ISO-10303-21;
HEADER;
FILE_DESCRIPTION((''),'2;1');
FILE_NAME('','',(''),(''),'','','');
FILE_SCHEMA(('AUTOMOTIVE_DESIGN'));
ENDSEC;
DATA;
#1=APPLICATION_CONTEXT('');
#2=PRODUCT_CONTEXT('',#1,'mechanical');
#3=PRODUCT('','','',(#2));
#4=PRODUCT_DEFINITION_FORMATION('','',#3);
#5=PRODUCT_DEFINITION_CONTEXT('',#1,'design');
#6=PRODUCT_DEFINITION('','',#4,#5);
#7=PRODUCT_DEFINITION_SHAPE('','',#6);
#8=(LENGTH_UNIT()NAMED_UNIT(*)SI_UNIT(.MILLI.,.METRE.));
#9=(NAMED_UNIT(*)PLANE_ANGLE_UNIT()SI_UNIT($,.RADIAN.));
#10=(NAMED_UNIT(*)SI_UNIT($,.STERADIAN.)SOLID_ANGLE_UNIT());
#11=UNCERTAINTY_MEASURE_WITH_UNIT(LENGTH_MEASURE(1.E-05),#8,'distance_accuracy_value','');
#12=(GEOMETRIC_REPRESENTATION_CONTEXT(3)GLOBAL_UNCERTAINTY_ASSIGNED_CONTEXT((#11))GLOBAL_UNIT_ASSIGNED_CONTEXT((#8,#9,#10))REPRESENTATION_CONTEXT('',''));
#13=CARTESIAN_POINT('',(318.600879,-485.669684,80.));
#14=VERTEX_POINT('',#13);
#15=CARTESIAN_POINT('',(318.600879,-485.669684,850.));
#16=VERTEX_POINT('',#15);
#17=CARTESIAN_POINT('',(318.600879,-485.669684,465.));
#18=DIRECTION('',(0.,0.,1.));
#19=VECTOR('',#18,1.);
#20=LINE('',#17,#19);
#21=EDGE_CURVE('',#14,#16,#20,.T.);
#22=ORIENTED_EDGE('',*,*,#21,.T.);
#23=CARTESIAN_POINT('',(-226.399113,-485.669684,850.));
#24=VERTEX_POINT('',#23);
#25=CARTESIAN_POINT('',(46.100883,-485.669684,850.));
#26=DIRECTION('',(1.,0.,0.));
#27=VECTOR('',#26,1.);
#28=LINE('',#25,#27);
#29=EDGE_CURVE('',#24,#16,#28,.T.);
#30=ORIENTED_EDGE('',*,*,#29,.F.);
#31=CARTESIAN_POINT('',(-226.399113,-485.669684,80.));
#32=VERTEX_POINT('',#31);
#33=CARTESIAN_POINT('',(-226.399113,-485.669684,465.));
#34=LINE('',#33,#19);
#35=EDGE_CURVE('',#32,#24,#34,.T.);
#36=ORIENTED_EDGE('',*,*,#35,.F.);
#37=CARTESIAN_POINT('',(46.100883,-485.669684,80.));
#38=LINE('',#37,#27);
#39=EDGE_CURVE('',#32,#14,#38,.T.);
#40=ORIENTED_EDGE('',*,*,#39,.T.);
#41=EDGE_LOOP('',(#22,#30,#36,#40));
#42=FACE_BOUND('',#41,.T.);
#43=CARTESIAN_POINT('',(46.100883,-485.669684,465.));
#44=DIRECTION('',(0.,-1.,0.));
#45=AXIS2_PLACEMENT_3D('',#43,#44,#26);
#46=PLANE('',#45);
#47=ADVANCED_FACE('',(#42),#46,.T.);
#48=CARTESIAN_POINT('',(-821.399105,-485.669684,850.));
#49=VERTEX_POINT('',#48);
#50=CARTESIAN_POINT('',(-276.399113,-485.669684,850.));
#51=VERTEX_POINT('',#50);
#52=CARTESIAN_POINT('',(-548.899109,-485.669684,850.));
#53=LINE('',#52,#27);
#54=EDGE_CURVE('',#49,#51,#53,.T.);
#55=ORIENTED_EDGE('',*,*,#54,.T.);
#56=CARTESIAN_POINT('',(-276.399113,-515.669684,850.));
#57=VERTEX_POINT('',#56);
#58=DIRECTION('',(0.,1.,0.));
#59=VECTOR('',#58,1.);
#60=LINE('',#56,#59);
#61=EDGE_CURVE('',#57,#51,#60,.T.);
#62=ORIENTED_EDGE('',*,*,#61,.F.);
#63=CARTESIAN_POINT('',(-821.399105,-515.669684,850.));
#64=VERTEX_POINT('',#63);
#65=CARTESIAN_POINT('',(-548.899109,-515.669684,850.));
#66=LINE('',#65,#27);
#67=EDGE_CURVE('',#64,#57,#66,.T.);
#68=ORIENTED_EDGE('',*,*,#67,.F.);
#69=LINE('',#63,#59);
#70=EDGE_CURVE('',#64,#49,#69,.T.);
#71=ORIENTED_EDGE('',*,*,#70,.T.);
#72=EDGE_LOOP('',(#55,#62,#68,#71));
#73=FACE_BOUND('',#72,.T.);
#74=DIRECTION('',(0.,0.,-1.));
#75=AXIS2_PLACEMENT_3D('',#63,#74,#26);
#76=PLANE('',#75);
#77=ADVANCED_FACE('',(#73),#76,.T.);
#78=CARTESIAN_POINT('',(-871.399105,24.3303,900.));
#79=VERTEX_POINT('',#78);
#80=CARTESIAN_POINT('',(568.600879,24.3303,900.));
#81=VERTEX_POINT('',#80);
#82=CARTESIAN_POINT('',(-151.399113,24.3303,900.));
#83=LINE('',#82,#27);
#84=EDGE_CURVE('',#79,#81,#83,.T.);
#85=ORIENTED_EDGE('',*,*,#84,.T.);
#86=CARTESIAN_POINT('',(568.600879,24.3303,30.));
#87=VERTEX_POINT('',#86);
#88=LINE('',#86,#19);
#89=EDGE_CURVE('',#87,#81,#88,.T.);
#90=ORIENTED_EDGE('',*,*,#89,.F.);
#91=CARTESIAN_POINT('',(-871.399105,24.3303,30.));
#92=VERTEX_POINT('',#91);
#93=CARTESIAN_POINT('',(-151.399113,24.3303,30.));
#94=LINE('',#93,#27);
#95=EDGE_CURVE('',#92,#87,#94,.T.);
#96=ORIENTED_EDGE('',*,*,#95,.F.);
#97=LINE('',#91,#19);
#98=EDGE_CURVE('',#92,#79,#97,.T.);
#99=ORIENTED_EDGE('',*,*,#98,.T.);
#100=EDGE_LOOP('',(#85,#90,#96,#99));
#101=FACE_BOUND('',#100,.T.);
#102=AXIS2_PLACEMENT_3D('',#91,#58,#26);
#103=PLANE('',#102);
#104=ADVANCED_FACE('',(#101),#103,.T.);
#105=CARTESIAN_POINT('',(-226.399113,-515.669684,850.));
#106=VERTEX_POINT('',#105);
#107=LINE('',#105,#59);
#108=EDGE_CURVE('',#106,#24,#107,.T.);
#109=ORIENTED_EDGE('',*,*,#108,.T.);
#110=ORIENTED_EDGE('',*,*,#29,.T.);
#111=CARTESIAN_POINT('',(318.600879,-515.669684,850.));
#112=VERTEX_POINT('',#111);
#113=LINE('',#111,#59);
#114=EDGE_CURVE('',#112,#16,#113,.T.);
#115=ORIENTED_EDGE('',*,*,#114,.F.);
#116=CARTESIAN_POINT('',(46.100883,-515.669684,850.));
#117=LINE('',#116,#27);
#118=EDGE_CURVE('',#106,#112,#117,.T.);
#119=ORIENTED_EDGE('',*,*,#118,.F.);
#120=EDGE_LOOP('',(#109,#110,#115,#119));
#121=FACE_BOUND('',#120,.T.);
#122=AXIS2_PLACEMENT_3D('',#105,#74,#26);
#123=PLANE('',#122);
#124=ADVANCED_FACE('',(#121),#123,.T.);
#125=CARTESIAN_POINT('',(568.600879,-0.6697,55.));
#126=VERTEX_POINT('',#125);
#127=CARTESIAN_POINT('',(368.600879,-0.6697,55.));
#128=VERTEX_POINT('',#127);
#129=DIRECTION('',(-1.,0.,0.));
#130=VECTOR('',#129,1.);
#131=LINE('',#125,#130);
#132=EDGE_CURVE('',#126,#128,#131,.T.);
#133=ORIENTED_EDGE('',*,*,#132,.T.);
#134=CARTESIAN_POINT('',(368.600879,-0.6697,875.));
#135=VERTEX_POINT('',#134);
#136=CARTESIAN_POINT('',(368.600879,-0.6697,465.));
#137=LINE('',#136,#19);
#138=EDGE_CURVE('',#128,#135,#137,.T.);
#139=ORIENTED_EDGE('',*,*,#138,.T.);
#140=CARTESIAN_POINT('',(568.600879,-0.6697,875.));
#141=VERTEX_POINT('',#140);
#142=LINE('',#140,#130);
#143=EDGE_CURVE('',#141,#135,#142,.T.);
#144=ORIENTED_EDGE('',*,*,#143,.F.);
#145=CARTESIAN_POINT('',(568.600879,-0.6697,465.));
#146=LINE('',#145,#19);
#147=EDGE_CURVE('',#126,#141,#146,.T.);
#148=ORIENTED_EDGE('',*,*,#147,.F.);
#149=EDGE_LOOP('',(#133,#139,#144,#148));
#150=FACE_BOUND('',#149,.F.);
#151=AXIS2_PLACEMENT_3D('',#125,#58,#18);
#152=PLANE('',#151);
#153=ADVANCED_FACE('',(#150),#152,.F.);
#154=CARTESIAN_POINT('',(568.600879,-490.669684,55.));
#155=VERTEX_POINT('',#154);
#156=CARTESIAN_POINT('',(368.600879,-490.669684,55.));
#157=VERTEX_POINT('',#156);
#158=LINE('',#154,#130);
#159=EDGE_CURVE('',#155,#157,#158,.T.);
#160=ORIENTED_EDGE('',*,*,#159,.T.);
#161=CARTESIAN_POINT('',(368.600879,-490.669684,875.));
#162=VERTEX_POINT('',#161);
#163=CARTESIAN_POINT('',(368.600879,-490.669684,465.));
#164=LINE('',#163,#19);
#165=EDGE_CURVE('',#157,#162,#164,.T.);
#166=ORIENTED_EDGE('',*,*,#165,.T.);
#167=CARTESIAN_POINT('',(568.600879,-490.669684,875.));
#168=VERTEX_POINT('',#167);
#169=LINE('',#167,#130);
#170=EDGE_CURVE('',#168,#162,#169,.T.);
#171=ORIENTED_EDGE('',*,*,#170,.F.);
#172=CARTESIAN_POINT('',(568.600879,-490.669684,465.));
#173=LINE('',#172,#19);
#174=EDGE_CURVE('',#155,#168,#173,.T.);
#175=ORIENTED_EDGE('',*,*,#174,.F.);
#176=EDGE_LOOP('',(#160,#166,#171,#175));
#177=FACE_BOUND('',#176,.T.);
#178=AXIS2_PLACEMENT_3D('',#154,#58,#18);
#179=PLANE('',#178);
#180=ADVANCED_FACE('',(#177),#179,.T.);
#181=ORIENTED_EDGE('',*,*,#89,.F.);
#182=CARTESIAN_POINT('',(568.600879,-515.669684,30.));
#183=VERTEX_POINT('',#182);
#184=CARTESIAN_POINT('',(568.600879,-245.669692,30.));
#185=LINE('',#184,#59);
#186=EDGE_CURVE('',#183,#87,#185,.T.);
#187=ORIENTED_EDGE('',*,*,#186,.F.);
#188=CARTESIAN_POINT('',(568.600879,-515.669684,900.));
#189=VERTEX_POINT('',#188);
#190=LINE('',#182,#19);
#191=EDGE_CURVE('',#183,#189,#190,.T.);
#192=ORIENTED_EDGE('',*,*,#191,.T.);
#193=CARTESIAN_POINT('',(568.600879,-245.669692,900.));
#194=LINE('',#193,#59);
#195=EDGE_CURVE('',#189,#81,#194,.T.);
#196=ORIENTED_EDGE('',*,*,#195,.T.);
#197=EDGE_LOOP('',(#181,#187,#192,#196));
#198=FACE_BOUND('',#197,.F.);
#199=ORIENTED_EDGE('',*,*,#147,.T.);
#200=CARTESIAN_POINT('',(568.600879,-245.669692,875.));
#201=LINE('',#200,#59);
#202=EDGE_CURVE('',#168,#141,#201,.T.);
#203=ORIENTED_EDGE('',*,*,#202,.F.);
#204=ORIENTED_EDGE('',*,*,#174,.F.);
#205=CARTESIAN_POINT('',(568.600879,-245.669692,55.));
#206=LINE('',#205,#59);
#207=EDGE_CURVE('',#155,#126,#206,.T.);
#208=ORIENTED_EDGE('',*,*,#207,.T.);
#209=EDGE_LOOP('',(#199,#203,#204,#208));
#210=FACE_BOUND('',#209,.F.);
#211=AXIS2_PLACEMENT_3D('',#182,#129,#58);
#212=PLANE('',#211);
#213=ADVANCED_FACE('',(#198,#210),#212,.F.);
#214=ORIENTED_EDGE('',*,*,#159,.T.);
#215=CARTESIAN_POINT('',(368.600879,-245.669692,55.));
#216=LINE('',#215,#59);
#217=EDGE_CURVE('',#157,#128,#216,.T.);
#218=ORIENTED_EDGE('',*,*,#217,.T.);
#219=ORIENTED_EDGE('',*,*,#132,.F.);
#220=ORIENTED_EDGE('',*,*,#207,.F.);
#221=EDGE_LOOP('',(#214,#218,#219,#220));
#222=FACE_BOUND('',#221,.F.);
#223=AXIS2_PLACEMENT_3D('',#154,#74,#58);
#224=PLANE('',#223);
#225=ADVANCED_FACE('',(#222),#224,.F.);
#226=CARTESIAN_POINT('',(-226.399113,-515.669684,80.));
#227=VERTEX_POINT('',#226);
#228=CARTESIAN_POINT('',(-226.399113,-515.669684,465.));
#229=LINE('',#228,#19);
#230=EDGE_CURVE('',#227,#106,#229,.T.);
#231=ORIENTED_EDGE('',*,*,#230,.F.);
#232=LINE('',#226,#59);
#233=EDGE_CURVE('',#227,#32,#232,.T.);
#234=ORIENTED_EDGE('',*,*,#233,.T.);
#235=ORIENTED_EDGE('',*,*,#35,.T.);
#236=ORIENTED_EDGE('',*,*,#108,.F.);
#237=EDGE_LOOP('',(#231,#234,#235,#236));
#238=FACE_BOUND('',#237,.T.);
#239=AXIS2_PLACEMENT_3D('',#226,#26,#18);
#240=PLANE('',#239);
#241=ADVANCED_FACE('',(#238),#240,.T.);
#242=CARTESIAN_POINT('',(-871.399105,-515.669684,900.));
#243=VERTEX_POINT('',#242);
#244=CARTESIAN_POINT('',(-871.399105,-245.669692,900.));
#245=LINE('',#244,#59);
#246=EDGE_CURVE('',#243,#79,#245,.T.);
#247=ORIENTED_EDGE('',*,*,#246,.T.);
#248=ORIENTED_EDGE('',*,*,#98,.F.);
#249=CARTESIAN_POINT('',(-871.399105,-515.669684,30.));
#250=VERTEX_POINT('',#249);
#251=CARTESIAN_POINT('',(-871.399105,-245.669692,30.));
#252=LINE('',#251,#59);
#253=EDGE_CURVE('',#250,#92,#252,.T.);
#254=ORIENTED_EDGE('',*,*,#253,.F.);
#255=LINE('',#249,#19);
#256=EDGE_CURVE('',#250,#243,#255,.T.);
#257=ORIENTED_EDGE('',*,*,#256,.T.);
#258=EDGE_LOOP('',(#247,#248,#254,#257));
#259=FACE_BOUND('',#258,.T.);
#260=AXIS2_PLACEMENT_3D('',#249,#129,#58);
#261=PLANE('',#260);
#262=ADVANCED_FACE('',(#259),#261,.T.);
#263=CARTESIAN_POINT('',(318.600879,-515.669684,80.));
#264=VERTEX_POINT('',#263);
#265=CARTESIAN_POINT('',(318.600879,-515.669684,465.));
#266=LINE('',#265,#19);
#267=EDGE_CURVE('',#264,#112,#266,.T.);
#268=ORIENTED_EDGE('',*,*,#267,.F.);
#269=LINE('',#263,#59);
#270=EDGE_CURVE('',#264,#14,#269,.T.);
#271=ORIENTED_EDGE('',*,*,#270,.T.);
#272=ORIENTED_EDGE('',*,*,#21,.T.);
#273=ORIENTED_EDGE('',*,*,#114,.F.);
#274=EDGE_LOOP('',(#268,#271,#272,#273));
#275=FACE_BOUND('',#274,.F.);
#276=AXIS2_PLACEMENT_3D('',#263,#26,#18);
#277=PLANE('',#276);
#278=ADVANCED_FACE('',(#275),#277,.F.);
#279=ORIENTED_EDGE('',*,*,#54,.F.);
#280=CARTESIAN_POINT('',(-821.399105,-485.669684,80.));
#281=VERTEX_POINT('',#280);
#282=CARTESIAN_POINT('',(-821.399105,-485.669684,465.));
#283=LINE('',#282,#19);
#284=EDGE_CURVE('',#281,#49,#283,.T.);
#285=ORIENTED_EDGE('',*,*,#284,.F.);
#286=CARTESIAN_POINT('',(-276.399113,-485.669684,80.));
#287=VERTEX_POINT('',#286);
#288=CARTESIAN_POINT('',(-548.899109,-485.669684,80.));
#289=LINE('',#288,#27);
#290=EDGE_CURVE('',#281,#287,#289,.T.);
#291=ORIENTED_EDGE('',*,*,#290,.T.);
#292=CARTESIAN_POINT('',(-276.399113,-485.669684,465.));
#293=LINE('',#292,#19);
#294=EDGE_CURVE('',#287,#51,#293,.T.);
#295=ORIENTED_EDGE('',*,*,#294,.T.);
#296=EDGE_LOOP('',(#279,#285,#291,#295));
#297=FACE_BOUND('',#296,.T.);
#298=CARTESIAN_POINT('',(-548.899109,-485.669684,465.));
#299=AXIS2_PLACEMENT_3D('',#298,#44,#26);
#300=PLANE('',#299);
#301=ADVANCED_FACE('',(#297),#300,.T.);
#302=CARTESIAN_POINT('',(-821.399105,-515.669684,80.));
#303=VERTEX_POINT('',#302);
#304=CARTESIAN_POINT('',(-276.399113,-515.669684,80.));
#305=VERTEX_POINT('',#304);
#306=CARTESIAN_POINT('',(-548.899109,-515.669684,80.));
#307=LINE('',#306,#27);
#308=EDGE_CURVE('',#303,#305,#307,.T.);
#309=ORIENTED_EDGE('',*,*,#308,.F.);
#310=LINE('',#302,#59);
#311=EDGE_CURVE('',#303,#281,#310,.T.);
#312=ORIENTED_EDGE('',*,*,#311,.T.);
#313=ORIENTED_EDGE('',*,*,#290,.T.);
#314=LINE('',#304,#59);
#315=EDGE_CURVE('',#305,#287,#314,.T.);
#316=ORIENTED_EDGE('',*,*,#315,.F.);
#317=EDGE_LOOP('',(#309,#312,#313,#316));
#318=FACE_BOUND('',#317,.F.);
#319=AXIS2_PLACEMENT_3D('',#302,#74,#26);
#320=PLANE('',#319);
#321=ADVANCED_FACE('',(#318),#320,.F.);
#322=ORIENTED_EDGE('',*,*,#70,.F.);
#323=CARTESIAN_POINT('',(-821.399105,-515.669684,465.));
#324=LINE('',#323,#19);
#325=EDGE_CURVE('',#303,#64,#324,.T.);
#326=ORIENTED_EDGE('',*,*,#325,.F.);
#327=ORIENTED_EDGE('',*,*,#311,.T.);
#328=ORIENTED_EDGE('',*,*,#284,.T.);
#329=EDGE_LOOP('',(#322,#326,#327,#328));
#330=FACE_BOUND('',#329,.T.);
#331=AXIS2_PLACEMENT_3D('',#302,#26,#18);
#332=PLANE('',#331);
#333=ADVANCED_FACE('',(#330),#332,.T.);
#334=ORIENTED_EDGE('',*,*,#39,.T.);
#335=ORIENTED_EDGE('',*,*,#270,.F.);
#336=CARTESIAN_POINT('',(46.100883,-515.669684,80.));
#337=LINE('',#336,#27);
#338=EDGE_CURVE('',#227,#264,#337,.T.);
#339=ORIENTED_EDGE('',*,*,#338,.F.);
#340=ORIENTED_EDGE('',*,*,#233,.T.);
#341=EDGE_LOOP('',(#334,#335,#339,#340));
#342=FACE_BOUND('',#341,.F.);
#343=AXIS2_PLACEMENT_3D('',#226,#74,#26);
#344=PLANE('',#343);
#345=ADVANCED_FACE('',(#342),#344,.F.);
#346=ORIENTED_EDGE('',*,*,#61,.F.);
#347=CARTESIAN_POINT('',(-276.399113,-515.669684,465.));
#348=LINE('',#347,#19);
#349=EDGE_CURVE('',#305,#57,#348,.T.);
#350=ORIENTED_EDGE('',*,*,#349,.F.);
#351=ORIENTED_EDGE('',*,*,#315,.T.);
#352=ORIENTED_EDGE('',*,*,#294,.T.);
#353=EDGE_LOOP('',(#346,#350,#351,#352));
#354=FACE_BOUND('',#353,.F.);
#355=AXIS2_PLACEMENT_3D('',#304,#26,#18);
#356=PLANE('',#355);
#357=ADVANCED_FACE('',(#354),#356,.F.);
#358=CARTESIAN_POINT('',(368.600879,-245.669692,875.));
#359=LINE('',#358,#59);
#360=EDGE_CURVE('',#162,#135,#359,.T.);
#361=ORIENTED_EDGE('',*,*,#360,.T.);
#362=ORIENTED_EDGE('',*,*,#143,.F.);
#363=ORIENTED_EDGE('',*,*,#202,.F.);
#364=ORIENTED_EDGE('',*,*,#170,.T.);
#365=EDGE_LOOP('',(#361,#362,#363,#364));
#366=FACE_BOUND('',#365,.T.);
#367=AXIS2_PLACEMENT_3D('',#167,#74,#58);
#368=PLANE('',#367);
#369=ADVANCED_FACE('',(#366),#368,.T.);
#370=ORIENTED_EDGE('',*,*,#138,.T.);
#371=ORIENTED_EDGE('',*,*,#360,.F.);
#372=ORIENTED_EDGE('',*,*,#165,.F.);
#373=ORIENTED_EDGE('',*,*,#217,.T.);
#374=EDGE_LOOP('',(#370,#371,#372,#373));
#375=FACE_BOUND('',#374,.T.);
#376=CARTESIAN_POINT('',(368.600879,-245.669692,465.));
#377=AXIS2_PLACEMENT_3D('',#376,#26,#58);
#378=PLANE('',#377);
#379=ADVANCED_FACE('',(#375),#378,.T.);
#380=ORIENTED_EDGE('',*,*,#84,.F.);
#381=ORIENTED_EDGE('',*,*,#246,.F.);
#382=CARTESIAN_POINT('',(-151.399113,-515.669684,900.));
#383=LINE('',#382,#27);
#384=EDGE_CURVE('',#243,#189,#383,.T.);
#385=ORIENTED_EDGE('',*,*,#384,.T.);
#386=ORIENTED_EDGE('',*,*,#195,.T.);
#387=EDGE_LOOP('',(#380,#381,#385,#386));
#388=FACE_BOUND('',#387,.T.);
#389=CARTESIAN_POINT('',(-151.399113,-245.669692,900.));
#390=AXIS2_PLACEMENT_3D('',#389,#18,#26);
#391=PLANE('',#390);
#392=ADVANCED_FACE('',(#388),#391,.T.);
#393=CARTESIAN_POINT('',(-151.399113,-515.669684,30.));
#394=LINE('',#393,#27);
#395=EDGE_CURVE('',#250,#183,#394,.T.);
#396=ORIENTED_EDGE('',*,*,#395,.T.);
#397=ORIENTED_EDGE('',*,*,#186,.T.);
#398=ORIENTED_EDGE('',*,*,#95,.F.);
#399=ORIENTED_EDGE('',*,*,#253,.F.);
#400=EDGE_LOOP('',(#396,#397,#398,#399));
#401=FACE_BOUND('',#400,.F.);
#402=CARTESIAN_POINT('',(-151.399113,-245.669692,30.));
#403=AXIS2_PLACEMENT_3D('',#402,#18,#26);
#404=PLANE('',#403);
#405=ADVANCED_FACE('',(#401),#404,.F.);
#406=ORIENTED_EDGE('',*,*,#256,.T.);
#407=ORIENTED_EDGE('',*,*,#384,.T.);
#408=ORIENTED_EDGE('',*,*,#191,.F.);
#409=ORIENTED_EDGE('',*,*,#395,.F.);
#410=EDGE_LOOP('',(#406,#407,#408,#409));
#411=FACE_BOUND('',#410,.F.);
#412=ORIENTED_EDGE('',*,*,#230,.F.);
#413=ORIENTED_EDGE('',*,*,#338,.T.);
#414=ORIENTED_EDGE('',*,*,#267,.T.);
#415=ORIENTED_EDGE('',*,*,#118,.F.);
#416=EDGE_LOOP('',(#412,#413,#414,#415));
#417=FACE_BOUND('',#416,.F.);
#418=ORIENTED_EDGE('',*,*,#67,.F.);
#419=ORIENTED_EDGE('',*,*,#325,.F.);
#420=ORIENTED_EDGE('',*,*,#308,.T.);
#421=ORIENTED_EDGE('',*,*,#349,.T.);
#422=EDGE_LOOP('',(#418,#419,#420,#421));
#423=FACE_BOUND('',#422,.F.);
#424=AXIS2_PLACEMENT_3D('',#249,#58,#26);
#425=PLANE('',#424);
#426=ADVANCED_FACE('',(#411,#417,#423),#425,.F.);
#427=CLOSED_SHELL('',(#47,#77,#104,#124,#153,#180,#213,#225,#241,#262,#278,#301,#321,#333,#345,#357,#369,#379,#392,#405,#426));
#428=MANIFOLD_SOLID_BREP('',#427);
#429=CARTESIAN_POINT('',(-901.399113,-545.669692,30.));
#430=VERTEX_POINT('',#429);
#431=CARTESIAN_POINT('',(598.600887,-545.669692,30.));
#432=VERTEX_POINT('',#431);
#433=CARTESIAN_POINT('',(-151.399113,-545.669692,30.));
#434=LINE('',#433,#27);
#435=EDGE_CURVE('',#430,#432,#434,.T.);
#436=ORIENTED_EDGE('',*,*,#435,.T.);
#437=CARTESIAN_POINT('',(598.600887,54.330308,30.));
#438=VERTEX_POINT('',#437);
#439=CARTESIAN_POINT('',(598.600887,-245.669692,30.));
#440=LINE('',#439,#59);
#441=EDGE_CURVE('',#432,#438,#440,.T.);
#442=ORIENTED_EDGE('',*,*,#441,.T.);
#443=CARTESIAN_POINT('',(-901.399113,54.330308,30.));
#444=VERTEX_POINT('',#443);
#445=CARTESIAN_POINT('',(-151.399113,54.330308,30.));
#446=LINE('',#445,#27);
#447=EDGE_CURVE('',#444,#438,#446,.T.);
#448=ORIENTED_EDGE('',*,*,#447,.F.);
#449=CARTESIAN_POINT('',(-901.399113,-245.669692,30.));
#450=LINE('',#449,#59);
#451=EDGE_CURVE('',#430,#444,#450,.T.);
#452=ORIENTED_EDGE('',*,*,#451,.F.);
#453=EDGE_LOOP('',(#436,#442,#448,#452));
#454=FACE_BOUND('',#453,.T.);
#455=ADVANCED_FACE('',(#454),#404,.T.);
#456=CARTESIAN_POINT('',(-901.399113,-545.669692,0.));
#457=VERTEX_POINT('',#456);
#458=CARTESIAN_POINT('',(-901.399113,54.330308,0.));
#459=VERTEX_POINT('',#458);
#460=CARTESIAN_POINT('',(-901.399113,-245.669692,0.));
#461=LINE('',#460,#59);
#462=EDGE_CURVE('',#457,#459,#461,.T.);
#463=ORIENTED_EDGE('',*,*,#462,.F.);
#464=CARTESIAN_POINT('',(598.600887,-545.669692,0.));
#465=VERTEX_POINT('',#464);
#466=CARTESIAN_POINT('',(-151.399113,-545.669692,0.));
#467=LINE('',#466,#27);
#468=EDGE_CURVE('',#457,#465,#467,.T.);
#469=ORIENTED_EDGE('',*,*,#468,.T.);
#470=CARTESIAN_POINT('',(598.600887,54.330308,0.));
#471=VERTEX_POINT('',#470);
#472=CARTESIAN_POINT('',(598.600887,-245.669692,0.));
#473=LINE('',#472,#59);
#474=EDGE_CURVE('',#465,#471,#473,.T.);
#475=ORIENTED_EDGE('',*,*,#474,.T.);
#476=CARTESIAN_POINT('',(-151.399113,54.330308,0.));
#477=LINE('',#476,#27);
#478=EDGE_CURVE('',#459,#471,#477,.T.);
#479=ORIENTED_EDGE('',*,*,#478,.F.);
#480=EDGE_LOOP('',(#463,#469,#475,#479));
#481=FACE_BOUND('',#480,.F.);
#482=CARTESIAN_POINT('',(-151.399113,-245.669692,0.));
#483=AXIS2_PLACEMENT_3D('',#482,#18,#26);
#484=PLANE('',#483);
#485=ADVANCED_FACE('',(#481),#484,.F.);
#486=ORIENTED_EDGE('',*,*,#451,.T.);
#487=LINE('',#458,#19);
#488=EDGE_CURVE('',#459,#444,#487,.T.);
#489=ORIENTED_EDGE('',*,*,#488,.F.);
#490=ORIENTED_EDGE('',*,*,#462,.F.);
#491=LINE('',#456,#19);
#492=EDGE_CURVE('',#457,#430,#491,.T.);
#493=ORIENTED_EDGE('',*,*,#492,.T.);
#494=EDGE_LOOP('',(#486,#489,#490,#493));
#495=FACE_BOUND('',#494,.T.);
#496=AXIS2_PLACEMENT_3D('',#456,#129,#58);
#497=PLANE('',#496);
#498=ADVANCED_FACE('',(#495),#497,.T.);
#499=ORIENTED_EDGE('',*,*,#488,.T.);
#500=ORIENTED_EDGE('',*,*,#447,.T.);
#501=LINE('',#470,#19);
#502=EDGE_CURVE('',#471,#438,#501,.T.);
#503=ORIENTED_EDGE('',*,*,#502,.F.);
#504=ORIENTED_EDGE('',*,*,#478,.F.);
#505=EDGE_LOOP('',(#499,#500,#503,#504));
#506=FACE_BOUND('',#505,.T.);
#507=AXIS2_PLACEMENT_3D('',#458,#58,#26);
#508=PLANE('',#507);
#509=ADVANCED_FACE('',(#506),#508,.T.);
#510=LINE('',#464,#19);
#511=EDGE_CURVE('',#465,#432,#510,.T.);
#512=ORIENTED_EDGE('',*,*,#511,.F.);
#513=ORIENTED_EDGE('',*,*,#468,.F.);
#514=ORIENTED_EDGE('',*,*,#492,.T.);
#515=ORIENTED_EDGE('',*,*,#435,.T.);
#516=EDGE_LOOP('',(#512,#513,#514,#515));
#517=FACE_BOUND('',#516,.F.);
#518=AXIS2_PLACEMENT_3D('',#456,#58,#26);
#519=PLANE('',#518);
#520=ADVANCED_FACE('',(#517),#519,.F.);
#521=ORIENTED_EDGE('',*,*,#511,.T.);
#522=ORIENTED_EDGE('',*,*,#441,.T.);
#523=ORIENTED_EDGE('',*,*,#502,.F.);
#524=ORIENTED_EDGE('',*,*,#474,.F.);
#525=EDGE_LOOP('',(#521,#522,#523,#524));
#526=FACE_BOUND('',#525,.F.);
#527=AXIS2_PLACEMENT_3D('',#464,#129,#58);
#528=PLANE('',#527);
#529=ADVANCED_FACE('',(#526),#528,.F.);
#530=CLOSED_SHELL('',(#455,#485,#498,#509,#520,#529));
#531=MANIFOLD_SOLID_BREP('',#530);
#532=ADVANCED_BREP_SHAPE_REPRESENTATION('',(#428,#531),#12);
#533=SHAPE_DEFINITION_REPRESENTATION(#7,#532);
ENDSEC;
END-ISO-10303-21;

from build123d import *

# Parameters (mm, degrees)
F0_W     = 1500
F0_H     = 600
F1_DEPTH = 30
F2_W     = 1439.999984
F2_H     = 539.999984
F3_DEPTH = 870
F4_W     = 489.999984
F4_H     = 820
F5_DEPTH = 200
F6_W     = 544.999992
F6_H     = 770
F7_DEPTH = 30


with BuildPart() as f1:
    # F0 (on Top) → F1 (new body)
    with BuildSketch(Plane.XY):
        with Locations((-151.399113, -245.669692)):
            Rectangle(F0_W, F0_H)
    extrude(amount=F1_DEPTH)


with BuildPart() as f3:
    # F2 (on face) → F3 (new body)
    with BuildSketch(Plane.XY.offset(30)):
        with Locations((-151.399113, -245.669692)):
            Rectangle(F2_W, F2_H)
    extrude(amount=F3_DEPTH)

    # F4 (on face) → F5 (cut)
    with BuildSketch(Plane.YZ.offset(568.600879)):
        with Locations((-245.669692, 465)):
            Rectangle(F4_W, F4_H)
    extrude(amount=-F5_DEPTH, mode=Mode.SUBTRACT)

    # F6 (on face) → F7 (cut)
    with BuildSketch(Plane.XZ.offset(515.669684)):
        with Locations((46.100883, 465)):
            Rectangle(F6_W, F6_H)
        with Locations((-548.899109, 465)):
            Rectangle(F6_W, F6_H)
    extrude(amount=-F7_DEPTH, mode=Mode.SUBTRACT)


solid = Compound([f1.part, f3.part])
